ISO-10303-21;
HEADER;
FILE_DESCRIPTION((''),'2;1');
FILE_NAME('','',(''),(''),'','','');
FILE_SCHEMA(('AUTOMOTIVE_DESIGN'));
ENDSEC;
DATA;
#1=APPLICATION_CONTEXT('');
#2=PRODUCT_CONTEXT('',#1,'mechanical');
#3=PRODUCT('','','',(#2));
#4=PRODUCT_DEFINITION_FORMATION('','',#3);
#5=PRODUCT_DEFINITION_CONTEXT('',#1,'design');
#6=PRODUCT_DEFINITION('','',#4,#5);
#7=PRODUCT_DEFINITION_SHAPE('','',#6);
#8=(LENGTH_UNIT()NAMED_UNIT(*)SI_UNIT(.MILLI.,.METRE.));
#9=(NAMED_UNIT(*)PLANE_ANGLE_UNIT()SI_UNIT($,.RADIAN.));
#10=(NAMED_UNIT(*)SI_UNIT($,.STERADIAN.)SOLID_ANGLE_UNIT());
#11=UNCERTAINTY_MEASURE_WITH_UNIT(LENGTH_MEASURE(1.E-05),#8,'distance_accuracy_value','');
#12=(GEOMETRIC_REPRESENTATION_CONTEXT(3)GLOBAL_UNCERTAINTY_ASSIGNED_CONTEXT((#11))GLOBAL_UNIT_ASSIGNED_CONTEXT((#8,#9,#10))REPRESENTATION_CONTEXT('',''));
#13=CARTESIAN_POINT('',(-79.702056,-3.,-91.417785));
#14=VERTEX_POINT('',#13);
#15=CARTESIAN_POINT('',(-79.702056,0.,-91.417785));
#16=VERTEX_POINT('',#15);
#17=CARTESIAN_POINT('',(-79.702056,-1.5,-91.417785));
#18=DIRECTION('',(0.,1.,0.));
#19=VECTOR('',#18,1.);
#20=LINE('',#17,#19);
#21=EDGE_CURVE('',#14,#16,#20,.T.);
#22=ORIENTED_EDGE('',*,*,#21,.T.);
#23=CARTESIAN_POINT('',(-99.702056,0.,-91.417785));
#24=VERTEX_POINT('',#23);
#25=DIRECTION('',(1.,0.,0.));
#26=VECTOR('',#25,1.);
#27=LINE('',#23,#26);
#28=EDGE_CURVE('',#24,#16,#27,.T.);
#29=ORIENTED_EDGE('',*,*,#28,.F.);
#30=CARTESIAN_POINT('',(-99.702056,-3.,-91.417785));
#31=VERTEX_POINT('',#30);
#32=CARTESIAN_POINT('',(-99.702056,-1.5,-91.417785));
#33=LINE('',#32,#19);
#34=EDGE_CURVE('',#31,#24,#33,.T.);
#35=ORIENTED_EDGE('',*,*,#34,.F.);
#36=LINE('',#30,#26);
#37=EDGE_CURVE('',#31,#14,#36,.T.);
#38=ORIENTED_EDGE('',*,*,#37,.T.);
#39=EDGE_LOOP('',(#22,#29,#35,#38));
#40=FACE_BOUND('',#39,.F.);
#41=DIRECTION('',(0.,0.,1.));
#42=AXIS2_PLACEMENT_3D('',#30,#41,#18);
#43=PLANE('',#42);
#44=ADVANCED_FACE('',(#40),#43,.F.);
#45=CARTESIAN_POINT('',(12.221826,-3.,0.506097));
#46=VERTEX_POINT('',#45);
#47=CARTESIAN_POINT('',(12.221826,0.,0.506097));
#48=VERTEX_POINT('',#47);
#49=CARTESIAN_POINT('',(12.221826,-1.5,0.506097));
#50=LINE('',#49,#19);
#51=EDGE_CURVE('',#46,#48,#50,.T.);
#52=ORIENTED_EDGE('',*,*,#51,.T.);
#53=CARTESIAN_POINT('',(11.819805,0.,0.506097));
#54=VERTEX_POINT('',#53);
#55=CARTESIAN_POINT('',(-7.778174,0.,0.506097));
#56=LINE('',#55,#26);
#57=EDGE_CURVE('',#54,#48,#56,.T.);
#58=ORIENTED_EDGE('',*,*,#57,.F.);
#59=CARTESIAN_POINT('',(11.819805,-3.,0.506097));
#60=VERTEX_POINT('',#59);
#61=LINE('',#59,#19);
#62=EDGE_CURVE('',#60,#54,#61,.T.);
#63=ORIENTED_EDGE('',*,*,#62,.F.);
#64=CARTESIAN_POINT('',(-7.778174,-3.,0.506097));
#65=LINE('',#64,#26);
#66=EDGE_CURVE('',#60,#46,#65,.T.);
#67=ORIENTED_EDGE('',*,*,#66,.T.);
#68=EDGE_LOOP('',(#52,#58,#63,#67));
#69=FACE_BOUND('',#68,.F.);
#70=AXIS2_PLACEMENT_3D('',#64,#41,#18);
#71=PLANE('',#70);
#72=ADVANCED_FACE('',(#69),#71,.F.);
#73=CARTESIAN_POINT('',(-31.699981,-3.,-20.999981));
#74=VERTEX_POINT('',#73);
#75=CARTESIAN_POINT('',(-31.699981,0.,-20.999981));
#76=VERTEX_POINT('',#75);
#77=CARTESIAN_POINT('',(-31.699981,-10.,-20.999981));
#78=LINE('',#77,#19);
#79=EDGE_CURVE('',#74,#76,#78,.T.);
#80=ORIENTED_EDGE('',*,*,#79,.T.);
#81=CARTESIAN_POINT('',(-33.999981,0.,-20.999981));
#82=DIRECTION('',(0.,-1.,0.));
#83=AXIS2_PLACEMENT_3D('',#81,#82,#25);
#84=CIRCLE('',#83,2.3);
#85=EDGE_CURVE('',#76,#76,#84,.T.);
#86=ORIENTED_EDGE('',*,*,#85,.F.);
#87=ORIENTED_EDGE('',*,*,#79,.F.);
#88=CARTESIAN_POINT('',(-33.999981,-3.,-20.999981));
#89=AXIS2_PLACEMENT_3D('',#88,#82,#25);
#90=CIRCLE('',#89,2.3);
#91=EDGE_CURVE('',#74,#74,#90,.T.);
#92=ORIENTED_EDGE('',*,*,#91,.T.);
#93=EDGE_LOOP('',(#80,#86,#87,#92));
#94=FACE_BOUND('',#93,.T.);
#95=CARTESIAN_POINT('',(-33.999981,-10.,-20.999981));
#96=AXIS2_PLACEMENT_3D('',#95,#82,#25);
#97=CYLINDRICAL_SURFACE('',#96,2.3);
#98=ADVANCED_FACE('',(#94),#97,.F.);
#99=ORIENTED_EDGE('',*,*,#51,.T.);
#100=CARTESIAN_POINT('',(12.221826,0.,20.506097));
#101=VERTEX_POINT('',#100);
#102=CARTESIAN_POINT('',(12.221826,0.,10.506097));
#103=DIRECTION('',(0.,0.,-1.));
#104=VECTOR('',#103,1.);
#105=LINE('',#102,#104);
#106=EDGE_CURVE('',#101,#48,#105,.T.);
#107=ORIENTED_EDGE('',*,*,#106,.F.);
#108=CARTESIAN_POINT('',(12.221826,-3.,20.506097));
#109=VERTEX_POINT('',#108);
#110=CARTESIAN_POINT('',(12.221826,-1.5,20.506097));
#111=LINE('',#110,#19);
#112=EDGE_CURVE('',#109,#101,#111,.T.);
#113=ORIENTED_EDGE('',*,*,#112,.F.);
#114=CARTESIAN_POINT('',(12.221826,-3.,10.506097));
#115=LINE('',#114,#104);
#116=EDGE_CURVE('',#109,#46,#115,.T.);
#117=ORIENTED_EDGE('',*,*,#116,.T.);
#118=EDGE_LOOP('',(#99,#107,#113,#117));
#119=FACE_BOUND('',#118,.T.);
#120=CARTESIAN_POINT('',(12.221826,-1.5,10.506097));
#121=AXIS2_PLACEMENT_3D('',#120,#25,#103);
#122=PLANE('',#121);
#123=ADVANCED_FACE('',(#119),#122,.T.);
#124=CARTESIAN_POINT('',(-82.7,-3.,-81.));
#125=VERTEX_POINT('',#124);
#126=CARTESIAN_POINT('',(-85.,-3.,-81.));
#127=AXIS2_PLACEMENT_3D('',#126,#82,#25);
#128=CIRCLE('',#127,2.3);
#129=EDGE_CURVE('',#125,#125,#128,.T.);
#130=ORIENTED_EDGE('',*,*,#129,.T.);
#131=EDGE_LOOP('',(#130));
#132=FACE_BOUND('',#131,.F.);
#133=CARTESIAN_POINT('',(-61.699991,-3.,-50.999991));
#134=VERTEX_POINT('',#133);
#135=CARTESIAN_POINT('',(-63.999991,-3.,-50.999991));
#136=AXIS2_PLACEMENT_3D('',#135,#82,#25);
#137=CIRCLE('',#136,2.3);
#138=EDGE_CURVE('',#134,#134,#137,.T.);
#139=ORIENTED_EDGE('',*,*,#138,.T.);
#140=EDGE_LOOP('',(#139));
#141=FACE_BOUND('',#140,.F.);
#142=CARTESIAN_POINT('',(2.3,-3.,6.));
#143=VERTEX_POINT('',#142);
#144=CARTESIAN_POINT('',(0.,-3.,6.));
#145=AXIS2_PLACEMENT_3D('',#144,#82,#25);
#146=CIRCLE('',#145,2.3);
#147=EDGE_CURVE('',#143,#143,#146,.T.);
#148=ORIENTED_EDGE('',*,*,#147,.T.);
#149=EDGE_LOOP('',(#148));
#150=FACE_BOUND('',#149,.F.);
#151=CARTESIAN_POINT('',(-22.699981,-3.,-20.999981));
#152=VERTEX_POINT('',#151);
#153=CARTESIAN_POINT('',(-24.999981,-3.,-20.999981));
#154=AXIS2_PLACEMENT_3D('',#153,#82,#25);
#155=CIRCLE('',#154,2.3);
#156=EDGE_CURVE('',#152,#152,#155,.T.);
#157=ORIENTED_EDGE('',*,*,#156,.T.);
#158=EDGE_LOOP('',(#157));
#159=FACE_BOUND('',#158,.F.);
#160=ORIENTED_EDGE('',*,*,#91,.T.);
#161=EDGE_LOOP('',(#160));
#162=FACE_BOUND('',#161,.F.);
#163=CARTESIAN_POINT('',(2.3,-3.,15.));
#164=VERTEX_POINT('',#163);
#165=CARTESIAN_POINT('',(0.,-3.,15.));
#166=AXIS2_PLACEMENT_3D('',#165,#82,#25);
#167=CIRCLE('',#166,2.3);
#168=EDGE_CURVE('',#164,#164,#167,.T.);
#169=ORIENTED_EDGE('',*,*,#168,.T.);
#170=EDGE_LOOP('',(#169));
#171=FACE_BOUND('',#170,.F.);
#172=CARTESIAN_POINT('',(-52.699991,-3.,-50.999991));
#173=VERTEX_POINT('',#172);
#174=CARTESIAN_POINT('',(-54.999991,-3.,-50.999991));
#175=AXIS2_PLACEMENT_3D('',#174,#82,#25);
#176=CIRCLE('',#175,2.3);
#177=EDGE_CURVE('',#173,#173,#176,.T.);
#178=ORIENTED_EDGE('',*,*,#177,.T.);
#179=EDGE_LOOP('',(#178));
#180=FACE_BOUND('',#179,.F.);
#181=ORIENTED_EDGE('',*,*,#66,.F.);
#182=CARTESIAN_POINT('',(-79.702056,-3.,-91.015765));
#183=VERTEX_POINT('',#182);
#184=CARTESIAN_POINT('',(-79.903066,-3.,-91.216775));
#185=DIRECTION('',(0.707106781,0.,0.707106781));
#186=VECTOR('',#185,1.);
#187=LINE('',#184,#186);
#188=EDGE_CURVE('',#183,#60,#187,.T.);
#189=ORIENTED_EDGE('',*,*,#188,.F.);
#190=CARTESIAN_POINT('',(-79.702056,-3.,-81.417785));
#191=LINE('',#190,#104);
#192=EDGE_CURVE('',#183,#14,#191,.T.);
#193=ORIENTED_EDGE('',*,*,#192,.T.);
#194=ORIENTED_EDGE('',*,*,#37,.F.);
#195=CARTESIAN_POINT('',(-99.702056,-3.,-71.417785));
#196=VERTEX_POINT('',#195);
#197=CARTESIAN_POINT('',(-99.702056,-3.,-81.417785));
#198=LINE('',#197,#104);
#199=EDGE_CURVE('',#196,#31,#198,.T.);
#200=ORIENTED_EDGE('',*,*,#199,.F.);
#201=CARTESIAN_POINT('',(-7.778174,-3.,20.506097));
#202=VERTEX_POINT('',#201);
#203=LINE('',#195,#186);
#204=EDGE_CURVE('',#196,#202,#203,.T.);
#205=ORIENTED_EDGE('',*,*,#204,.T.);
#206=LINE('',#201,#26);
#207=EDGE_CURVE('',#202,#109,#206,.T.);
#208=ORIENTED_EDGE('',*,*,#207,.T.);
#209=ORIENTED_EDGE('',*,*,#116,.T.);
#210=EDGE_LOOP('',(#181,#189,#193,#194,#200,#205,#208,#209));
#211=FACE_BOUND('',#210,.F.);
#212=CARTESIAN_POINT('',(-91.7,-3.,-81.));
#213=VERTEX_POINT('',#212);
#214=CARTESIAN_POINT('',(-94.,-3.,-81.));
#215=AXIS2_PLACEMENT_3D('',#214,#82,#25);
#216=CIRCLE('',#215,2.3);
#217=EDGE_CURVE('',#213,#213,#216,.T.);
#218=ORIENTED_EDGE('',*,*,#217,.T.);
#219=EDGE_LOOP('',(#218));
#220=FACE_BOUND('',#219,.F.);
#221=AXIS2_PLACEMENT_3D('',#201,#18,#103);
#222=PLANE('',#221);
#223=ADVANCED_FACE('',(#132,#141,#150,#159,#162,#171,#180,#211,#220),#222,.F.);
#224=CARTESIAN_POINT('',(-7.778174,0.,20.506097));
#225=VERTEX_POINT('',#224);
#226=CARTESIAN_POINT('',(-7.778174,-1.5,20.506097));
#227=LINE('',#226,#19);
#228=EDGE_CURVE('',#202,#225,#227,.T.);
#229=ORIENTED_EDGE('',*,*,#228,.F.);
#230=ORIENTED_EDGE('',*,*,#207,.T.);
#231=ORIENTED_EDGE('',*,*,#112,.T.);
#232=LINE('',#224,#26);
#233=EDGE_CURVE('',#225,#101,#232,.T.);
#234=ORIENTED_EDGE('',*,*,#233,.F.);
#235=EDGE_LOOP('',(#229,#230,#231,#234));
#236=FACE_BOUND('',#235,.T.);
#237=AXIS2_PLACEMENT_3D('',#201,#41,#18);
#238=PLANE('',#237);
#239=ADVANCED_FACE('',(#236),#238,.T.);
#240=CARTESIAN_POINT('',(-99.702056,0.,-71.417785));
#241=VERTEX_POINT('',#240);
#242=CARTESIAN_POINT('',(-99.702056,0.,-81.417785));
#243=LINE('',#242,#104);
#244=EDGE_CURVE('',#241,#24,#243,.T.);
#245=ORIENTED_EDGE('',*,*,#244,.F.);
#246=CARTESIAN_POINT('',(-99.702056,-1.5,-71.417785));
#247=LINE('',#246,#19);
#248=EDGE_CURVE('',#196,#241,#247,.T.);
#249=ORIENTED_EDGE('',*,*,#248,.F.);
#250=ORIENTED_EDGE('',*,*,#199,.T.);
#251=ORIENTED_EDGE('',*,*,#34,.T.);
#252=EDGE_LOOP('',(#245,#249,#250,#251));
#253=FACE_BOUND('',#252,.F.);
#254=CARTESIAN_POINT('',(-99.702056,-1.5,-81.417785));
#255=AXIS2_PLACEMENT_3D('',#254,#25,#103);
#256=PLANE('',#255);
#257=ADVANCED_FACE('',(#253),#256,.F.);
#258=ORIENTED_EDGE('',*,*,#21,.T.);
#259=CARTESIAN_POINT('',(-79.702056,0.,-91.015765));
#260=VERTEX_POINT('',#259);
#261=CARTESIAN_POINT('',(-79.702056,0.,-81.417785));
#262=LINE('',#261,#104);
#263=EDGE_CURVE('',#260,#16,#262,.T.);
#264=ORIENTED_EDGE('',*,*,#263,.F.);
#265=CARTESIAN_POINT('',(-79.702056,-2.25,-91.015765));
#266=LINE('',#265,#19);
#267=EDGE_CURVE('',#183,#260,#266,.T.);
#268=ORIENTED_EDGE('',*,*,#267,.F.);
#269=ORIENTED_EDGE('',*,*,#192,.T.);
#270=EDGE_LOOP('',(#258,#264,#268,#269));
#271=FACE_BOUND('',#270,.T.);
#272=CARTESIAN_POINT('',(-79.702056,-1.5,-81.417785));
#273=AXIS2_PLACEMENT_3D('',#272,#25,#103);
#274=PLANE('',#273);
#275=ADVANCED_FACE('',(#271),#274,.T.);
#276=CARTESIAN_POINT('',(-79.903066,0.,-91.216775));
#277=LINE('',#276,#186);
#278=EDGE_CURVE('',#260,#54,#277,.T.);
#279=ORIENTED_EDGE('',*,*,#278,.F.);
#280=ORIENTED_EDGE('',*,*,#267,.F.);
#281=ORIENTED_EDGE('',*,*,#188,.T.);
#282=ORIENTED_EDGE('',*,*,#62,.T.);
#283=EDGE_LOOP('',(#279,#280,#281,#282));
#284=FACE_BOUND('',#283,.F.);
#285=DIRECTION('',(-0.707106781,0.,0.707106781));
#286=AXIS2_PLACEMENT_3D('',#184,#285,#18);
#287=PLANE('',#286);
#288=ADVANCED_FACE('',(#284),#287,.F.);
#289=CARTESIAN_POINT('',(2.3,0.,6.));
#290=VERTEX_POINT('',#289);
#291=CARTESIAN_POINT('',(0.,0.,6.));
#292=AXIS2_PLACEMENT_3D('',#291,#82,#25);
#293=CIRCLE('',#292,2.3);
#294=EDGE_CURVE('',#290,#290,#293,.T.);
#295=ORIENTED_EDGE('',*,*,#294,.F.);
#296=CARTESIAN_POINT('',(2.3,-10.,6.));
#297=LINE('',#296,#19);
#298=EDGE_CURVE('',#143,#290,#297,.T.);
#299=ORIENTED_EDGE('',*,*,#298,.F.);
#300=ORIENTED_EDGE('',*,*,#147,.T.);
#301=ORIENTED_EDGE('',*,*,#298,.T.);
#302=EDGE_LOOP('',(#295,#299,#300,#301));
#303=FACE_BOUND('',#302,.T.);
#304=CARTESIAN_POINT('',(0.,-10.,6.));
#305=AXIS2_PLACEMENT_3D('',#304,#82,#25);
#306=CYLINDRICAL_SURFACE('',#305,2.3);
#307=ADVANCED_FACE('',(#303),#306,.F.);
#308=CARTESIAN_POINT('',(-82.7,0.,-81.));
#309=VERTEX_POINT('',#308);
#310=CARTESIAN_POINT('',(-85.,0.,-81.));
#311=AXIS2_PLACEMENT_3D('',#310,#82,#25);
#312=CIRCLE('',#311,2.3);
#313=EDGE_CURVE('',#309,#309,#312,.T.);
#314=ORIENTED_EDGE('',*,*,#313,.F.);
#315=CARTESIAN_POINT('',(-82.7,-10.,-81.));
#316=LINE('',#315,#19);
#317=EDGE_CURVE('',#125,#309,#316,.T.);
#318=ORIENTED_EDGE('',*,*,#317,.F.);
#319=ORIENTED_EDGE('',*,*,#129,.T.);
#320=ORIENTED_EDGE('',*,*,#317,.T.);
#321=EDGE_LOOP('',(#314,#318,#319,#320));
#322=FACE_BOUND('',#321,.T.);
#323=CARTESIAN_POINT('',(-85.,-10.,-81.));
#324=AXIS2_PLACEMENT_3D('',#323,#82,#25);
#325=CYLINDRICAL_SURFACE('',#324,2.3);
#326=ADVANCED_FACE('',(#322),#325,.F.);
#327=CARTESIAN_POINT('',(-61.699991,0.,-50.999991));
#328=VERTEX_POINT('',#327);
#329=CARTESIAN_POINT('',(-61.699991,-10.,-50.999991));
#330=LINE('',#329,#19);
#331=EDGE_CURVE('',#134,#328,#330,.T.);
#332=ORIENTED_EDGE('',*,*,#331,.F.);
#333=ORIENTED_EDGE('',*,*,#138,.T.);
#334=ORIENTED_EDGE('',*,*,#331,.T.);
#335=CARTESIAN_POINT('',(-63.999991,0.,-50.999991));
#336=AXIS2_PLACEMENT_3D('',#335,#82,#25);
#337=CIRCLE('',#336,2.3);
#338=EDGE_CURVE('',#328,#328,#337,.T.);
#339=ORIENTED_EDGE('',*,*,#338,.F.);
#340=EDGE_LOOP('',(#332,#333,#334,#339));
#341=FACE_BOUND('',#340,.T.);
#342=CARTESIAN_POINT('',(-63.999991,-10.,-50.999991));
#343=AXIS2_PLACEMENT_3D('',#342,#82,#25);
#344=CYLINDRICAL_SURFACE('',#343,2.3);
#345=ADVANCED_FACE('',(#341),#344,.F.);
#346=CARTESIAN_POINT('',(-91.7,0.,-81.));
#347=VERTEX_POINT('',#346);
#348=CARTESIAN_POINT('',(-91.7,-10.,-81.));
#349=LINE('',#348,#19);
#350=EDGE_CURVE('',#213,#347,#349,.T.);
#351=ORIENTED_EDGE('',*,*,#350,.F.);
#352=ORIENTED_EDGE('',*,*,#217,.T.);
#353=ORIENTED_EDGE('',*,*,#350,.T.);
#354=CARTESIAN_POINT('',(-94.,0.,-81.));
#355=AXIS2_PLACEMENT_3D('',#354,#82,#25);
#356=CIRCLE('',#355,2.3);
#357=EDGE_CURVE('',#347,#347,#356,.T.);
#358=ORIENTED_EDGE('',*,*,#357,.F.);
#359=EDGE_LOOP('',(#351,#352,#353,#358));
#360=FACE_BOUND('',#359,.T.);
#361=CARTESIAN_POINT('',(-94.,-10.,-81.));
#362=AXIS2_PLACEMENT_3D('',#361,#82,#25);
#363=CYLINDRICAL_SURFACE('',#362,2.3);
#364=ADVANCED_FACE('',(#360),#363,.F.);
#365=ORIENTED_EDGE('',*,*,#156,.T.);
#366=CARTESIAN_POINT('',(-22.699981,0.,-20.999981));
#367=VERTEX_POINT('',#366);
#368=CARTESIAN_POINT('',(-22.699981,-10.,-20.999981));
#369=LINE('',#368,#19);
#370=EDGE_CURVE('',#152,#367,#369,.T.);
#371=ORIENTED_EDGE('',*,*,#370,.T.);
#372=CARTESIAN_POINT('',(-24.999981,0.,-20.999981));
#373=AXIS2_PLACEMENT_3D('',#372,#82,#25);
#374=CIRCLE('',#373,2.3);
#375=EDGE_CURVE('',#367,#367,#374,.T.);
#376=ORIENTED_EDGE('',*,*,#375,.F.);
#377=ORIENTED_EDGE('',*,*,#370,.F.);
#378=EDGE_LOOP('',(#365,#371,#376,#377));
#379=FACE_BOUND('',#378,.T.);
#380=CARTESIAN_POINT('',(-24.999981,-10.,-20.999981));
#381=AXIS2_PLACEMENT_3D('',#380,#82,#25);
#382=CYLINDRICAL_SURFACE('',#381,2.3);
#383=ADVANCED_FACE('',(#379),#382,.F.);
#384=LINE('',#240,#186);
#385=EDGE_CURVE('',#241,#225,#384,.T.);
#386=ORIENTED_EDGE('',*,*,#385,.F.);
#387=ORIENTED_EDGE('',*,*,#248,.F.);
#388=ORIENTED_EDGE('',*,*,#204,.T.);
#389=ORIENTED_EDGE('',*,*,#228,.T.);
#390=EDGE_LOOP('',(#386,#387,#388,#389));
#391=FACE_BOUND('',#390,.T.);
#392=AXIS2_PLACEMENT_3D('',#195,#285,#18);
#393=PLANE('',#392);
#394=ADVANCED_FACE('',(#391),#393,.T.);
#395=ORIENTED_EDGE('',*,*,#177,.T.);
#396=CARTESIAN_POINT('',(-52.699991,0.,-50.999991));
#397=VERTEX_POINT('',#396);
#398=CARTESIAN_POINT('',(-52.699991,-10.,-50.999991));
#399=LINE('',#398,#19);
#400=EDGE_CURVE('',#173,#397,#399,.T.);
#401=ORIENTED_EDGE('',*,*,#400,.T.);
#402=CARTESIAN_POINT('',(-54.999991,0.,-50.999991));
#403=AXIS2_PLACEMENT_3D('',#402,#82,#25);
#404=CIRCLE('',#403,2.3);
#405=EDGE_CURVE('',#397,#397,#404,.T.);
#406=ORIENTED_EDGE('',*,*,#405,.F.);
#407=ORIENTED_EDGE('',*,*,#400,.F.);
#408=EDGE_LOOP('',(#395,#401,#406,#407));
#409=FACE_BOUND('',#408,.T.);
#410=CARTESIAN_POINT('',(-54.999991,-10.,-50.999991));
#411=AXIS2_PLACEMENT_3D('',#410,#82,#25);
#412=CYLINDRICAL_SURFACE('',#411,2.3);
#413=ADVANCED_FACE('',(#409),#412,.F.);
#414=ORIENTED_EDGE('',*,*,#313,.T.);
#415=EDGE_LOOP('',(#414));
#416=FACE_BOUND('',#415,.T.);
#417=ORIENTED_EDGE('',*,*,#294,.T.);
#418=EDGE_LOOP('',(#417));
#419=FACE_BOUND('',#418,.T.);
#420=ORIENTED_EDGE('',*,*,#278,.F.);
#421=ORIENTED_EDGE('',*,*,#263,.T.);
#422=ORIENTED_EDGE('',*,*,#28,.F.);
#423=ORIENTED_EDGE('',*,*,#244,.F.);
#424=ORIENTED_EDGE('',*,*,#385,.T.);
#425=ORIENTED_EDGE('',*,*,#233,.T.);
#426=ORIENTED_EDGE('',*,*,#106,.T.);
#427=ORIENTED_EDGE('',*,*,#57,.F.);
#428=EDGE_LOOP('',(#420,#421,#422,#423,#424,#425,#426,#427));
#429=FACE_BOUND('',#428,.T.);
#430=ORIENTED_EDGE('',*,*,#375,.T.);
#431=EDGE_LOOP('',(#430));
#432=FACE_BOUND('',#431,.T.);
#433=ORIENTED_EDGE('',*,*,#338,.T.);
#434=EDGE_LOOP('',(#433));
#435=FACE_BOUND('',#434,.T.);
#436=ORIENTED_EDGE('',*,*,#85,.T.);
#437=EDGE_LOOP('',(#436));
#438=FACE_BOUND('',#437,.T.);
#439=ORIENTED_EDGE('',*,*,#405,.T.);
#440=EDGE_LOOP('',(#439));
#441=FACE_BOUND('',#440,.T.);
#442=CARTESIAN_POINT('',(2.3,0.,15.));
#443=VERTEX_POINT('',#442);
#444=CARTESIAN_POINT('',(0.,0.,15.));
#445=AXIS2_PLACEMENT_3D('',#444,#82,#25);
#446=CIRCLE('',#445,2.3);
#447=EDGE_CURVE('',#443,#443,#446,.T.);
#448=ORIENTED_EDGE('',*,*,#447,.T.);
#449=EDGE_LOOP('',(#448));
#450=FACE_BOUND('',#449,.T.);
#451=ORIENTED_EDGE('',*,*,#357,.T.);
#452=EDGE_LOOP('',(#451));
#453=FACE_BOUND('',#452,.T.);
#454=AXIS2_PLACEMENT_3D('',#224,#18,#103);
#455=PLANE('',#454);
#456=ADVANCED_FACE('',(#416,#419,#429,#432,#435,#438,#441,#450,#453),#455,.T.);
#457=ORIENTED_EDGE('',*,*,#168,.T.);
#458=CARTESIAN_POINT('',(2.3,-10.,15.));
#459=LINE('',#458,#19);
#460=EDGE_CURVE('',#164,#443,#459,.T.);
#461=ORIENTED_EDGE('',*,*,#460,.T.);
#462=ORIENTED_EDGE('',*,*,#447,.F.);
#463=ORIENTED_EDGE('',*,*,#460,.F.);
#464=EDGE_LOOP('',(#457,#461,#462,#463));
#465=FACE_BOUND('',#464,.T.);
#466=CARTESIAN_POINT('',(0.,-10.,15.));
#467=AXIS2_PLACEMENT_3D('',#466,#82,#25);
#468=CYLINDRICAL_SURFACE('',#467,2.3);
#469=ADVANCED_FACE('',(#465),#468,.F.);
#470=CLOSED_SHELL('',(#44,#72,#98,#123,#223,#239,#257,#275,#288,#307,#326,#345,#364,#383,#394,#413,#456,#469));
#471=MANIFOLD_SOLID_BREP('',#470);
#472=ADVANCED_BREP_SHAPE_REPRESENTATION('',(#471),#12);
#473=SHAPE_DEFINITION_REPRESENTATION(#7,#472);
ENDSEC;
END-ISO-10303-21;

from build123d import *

# Parameters (mm, degrees)
CYLINDER051_R             = 2.3
CYLINDER051_DEPTH         = 100
ARRAY001029_X_COUNT       = 2
ARRAY001029_X_PITCH       = 9
ARRAY001029_Z_COUNT       = 3
ARRAY001029_Z_PITCH       = 42.426407
CYLINDER048_R             = 2.3
CYLINDER048_DEPTH         = 100
ARRAY001026_Z_COUNT       = 2
ARRAY001026_Z_PITCH       = 9
BOX026_W                  = 20
BOX026_H                  = 3
BOX026_DEPTH              = 20
BOX026_PLACEMENT_ANGLE    = 45
BOX027_W                  = 20
BOX027_H                  = 3
BOX027_DEPTH              = 20
BOX027_PLACEMENT_ANGLE    = 45
BOX025_W                  = 28
BOX025_H                  = 3
BOX025_DEPTH              = 130
FUSION021_PLACEMENT_ANGLE = 45


with BuildPart() as horizontal_hole_array003:
    # Cylinder051 → Cylinder051 (new body)
    with BuildSketch(Plane(origin=(4, -10, 5), x_dir=(1, 0, 0), z_dir=(0, 1, 0))):
        Circle(CYLINDER051_R)
    extrude(amount=CYLINDER051_DEPTH)

    # Array001029 X: horizontal hole array003 ×2


with BuildPart() as horizontal_hole_array003_1:
    add(horizontal_hole_array003.part)
    with Locations(*[(i * ARRAY001029_X_PITCH, 0, 0) for i in range(1, ARRAY001029_X_COUNT)]):
        add(horizontal_hole_array003.part)

    # Array001029 Z: horizontal hole array003 ×3


with BuildPart() as horizontal_hole_array003_2:
    add(horizontal_hole_array003_1.part)
    with Locations(*[Vector(0.707107, 0, 0.707107) * (i * ARRAY001029_Z_PITCH) for i in range(1, ARRAY001029_Z_COUNT)]):
        add(horizontal_hole_array003_1.part)


with BuildPart() as horizontal_hole_array003_3:
    # Array001029 placement: moved
    add(horizontal_hole_array003_2.part.moved(Location((-98, 0, -86))))


with BuildPart() as fusion024:
    # Cylinder048 → Cylinder048 (new body)
    with BuildSketch(Plane(origin=(0, -10, 6), x_dir=(1, 0, 0), z_dir=(0, 1, 0))):
        Circle(CYLINDER048_R)
    extrude(amount=CYLINDER048_DEPTH)

    # Array001026 Z: Fusion024 ×2


with BuildPart() as fusion024_1:
    add(fusion024.part)
    with Locations(*[(0, 0, i * ARRAY001026_Z_PITCH) for i in range(1, ARRAY001026_Z_COUNT)]):
        add(fusion024.part)

    # Fusion024: union horizontal hole array003
    add(horizontal_hole_array003_3.part)


with BuildPart() as side_cube:
    # Box026 → Box026 (new body)
    with BuildSketch(Plane.XY):
        with Locations((10, 1.5)):
            Rectangle(BOX026_W, BOX026_H)
    extrude(amount=BOX026_DEPTH)


with BuildPart() as side_cube_1:
    # Box026 placement: moved
    add(side_cube.part.moved(Location((0, 0, 130))).rotate(Axis((0, 0, 130), (0, 1, 0)), BOX026_PLACEMENT_ANGLE))


with BuildPart() as side_cube001:
    # Box027 → Box027 (new body)
    with BuildSketch(Plane.XY):
        with Locations((10, 1.5)):
            Rectangle(BOX027_W, BOX027_H)
    extrude(amount=BOX027_DEPTH)


with BuildPart() as side_cube001_1:
    # Box027 placement: moved
    add(side_cube001.part.rotate(Axis((0, 0, 0), (0, 1, 0)), BOX027_PLACEMENT_ANGLE))


with BuildPart() as stand_attachment_side_plate_cut:
    # Box025 → Box025 (new body)
    with BuildSketch(Plane.XY):
        with Locations((14, 1.5)):
            Rectangle(BOX025_W, BOX025_H)
    extrude(amount=BOX025_DEPTH)

    # Fusion021: union side cube, side cube001
    add(side_cube_1.part)
    add(side_cube001_1.part)


with BuildPart() as stand_attachment_side_plate_cut_1:
    # Fusion021 placement: moved
    add(stand_attachment_side_plate_cut.part.moved(Location((-99.702056, -3, -71.417785))).rotate(Axis((-99.702056, -3, -71.417785), (0, 1, 0)), FUSION021_PLACEMENT_ANGLE))

    # Cut019: cut Fusion024
    add(fusion024_1.part, mode=Mode.SUBTRACT)


solid = stand_attachment_side_plate_cut_1.part
